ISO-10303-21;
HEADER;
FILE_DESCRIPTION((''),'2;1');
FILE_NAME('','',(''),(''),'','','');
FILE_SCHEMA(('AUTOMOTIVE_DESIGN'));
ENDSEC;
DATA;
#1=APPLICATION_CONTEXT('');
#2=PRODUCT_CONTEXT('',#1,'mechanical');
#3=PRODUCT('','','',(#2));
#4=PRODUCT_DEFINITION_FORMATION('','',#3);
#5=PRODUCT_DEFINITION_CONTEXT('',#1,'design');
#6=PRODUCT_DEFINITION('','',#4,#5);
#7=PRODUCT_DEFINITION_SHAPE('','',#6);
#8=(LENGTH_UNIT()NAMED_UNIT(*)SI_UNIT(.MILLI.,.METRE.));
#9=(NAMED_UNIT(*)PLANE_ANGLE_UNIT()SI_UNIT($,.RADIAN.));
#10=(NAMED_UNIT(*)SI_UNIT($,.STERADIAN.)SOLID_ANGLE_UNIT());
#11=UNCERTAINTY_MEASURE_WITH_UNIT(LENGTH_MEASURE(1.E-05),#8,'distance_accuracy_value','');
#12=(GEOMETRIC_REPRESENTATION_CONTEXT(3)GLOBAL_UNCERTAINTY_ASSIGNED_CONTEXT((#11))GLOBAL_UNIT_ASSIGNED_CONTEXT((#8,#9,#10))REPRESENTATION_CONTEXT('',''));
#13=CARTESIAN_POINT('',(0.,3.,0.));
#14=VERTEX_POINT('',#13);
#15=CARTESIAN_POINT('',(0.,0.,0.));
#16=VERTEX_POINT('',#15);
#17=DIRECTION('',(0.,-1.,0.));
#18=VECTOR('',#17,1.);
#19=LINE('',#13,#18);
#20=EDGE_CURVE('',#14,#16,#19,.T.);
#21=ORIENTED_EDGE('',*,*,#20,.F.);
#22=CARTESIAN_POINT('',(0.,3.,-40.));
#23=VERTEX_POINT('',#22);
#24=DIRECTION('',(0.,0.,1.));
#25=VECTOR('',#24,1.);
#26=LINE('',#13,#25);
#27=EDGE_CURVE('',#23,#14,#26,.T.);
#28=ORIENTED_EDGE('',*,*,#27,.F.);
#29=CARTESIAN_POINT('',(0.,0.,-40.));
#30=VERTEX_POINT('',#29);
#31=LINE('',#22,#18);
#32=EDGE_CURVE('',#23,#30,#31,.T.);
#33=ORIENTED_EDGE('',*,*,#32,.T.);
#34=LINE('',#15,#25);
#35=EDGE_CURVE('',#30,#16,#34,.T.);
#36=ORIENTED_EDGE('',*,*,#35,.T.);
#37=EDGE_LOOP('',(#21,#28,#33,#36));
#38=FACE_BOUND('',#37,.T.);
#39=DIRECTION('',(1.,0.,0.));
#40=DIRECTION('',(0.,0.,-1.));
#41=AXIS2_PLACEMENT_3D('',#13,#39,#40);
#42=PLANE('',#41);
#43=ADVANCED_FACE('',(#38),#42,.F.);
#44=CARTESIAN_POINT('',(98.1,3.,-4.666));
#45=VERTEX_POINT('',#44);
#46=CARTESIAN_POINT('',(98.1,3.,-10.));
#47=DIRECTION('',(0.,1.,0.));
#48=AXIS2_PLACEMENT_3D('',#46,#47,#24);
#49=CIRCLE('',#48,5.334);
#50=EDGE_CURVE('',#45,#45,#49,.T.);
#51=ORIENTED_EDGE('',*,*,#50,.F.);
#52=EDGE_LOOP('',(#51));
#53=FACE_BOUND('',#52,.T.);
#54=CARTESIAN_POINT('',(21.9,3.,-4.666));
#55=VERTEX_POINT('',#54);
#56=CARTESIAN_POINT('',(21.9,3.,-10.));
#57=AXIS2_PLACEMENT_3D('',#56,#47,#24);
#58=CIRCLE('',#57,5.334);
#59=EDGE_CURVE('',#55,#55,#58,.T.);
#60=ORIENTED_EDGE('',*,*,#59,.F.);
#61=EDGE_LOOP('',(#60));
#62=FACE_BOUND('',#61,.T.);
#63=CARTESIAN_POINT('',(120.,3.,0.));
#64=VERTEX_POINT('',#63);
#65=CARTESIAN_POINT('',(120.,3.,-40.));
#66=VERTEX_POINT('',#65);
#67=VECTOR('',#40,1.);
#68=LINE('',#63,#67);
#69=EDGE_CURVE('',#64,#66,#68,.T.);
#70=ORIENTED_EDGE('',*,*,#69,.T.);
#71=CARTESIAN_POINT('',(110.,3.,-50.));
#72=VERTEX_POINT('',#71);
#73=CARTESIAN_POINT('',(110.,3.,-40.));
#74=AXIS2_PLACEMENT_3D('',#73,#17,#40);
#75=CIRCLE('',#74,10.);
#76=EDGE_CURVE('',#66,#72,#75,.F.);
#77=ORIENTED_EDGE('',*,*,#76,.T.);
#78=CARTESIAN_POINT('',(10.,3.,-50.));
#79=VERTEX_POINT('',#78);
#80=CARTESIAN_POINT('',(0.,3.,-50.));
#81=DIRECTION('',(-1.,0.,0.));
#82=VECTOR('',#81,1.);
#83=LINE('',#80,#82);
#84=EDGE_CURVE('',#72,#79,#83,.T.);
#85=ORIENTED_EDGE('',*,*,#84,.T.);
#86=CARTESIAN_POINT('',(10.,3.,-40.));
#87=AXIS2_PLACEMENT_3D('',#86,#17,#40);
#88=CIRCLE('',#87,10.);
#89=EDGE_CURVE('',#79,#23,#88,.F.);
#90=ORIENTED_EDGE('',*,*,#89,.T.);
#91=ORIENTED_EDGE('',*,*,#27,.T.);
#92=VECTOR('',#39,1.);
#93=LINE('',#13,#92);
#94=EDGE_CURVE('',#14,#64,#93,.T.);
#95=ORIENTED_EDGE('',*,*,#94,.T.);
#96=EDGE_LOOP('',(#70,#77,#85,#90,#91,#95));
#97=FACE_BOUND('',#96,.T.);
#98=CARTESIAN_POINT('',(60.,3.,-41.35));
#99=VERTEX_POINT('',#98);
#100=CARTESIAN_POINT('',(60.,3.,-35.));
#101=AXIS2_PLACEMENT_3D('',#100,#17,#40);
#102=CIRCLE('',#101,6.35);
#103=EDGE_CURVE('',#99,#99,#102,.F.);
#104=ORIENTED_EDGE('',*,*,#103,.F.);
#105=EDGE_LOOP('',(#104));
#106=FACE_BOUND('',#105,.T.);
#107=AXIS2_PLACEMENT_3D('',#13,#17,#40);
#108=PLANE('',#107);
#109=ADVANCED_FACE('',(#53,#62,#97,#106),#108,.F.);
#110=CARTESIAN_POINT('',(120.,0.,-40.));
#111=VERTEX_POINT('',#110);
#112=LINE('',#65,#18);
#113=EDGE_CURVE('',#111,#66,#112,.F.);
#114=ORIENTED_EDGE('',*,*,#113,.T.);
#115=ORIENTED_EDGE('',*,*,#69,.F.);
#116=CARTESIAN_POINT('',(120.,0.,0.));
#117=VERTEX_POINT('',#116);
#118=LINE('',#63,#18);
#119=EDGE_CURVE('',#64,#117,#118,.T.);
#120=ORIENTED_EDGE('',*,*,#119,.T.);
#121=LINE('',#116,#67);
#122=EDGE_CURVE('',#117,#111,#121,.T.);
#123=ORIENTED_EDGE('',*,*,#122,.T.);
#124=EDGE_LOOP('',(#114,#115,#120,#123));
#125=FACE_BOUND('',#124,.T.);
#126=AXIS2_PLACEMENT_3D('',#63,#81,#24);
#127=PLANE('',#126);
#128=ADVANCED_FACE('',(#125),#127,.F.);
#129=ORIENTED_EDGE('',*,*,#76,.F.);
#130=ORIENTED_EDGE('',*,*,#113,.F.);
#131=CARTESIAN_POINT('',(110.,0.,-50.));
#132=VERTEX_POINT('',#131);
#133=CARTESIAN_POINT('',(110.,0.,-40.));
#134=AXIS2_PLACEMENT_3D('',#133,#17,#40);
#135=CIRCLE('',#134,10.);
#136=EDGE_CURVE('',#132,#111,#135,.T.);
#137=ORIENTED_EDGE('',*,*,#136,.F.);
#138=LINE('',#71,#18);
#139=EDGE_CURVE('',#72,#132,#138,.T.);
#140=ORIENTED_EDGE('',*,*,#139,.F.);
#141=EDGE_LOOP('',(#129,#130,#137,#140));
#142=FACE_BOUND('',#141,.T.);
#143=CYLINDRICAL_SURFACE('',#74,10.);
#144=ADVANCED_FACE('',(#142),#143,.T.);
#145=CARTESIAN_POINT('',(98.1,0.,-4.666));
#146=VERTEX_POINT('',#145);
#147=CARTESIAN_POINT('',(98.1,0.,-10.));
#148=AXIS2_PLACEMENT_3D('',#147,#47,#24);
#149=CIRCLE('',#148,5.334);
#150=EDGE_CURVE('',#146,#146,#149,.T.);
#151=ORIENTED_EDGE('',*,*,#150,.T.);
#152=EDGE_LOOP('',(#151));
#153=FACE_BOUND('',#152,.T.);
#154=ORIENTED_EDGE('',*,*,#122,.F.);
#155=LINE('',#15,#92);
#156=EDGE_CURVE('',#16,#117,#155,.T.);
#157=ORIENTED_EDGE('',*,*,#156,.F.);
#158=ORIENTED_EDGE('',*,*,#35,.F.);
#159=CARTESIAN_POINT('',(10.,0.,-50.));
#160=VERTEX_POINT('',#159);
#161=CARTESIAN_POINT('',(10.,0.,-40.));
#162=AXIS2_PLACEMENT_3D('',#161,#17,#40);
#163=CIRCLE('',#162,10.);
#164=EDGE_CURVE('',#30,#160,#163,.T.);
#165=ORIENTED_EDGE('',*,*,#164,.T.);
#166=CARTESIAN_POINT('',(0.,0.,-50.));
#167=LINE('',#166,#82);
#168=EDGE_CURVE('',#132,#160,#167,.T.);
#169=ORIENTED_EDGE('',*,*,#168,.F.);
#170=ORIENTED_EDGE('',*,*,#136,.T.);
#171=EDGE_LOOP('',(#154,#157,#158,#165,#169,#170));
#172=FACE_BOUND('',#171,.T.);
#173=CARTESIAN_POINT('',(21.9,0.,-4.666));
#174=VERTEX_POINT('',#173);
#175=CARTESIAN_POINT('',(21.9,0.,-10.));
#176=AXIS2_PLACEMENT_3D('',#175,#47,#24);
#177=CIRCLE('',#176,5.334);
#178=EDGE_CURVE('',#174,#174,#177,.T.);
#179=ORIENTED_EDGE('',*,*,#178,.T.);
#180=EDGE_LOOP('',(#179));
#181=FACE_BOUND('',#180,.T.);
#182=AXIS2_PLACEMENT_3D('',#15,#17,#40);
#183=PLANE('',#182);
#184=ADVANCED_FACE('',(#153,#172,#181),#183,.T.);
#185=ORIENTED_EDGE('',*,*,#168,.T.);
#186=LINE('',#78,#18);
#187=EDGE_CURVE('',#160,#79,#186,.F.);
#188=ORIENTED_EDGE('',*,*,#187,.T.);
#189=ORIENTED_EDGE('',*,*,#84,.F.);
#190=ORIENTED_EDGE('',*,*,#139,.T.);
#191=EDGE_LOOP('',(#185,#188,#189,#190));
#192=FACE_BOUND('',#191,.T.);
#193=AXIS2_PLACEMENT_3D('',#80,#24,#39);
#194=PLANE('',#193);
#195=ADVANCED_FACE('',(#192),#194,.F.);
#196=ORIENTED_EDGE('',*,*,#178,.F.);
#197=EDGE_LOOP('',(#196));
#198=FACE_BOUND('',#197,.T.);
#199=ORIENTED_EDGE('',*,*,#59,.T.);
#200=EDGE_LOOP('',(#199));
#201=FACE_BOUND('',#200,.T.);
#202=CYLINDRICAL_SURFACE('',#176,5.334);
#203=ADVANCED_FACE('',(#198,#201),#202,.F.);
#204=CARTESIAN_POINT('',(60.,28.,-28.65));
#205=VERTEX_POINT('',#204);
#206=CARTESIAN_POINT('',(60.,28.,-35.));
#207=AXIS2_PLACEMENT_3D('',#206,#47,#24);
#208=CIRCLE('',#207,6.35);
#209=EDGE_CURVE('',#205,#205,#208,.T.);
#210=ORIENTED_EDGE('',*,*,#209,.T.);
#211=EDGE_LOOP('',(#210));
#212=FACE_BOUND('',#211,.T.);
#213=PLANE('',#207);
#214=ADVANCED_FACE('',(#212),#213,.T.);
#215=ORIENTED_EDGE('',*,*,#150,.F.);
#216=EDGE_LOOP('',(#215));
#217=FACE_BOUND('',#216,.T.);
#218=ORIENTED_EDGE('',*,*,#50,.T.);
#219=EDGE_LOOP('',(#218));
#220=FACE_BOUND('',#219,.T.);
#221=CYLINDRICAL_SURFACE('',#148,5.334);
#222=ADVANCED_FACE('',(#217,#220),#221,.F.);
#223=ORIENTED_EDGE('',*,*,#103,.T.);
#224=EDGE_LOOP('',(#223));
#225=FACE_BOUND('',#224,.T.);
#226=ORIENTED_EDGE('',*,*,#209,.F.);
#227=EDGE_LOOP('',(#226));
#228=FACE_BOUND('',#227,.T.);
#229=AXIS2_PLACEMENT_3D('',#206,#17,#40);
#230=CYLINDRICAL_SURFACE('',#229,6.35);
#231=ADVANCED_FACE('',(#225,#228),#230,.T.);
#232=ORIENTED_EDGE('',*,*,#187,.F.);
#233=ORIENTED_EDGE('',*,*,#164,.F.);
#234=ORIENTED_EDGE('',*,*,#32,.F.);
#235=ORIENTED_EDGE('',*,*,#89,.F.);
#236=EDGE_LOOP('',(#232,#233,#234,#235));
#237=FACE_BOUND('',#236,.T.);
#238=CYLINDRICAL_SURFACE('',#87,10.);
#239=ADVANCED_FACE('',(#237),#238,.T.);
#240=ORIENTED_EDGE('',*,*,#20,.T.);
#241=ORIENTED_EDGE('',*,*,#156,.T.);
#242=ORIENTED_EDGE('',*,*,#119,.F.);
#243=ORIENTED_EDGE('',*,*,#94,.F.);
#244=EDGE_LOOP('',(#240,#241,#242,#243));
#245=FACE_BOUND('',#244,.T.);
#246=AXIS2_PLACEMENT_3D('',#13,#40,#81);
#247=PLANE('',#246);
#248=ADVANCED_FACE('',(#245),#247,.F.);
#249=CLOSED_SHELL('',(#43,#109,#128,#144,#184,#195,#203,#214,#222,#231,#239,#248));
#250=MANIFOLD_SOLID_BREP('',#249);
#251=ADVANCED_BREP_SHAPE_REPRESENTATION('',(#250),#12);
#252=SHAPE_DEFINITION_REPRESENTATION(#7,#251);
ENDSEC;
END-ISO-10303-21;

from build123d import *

# Parameters (mm, degrees)
SKETCH1_W           = 120
SKETCH1_H           = 50
BOSS_EXTRUDE1_DEPTH = 3
SKETCH2_R           = 5.334
CUT_EXTRUDE1_DEPTH  = 4
SKETCH3_R           = 6.35
BOSS_EXTRUDE2_DEPTH = 25
FILLET1_R           = 10


with BuildPart() as part:
    # Sketch1 → Boss-Extrude1 (new body)
    with BuildSketch(Plane(origin=(0, 0, 0), x_dir=(1, 0, 0), z_dir=(0, 1, 0))):
        with Locations((60, 25)):
            Rectangle(SKETCH1_W, SKETCH1_H)
    extrude(amount=BOSS_EXTRUDE1_DEPTH)

    # Sketch2 → Cut-Extrude1 (cut, through all)
    with BuildSketch(Plane(origin=(0, 3, 0), x_dir=(1, 0, 0), z_dir=(0, 1, 0))):
        with Locations((21.9, 10)):
            Circle(SKETCH2_R)
        with Locations((98.1, 10)):
            Circle(SKETCH2_R)
    extrude(amount=-CUT_EXTRUDE1_DEPTH, mode=Mode.SUBTRACT)

    # Sketch3 → Boss-Extrude2 (add)
    with BuildSketch(Plane(origin=(0, 3, 0), x_dir=(1, 0, 0), z_dir=(0, 1, 0))):
        with Locations((60, 35)):
            Circle(SKETCH3_R)
    extrude(amount=BOSS_EXTRUDE2_DEPTH)

    # Fillet1
    fillet1_edges = [part.edges().sort_by_distance(p)[0] for p in [
        (0, 1.5, -50),
        (120, 1.5, -50),
    ]]
    fillet(fillet1_edges, radius=FILLET1_R)


solid = part.part
